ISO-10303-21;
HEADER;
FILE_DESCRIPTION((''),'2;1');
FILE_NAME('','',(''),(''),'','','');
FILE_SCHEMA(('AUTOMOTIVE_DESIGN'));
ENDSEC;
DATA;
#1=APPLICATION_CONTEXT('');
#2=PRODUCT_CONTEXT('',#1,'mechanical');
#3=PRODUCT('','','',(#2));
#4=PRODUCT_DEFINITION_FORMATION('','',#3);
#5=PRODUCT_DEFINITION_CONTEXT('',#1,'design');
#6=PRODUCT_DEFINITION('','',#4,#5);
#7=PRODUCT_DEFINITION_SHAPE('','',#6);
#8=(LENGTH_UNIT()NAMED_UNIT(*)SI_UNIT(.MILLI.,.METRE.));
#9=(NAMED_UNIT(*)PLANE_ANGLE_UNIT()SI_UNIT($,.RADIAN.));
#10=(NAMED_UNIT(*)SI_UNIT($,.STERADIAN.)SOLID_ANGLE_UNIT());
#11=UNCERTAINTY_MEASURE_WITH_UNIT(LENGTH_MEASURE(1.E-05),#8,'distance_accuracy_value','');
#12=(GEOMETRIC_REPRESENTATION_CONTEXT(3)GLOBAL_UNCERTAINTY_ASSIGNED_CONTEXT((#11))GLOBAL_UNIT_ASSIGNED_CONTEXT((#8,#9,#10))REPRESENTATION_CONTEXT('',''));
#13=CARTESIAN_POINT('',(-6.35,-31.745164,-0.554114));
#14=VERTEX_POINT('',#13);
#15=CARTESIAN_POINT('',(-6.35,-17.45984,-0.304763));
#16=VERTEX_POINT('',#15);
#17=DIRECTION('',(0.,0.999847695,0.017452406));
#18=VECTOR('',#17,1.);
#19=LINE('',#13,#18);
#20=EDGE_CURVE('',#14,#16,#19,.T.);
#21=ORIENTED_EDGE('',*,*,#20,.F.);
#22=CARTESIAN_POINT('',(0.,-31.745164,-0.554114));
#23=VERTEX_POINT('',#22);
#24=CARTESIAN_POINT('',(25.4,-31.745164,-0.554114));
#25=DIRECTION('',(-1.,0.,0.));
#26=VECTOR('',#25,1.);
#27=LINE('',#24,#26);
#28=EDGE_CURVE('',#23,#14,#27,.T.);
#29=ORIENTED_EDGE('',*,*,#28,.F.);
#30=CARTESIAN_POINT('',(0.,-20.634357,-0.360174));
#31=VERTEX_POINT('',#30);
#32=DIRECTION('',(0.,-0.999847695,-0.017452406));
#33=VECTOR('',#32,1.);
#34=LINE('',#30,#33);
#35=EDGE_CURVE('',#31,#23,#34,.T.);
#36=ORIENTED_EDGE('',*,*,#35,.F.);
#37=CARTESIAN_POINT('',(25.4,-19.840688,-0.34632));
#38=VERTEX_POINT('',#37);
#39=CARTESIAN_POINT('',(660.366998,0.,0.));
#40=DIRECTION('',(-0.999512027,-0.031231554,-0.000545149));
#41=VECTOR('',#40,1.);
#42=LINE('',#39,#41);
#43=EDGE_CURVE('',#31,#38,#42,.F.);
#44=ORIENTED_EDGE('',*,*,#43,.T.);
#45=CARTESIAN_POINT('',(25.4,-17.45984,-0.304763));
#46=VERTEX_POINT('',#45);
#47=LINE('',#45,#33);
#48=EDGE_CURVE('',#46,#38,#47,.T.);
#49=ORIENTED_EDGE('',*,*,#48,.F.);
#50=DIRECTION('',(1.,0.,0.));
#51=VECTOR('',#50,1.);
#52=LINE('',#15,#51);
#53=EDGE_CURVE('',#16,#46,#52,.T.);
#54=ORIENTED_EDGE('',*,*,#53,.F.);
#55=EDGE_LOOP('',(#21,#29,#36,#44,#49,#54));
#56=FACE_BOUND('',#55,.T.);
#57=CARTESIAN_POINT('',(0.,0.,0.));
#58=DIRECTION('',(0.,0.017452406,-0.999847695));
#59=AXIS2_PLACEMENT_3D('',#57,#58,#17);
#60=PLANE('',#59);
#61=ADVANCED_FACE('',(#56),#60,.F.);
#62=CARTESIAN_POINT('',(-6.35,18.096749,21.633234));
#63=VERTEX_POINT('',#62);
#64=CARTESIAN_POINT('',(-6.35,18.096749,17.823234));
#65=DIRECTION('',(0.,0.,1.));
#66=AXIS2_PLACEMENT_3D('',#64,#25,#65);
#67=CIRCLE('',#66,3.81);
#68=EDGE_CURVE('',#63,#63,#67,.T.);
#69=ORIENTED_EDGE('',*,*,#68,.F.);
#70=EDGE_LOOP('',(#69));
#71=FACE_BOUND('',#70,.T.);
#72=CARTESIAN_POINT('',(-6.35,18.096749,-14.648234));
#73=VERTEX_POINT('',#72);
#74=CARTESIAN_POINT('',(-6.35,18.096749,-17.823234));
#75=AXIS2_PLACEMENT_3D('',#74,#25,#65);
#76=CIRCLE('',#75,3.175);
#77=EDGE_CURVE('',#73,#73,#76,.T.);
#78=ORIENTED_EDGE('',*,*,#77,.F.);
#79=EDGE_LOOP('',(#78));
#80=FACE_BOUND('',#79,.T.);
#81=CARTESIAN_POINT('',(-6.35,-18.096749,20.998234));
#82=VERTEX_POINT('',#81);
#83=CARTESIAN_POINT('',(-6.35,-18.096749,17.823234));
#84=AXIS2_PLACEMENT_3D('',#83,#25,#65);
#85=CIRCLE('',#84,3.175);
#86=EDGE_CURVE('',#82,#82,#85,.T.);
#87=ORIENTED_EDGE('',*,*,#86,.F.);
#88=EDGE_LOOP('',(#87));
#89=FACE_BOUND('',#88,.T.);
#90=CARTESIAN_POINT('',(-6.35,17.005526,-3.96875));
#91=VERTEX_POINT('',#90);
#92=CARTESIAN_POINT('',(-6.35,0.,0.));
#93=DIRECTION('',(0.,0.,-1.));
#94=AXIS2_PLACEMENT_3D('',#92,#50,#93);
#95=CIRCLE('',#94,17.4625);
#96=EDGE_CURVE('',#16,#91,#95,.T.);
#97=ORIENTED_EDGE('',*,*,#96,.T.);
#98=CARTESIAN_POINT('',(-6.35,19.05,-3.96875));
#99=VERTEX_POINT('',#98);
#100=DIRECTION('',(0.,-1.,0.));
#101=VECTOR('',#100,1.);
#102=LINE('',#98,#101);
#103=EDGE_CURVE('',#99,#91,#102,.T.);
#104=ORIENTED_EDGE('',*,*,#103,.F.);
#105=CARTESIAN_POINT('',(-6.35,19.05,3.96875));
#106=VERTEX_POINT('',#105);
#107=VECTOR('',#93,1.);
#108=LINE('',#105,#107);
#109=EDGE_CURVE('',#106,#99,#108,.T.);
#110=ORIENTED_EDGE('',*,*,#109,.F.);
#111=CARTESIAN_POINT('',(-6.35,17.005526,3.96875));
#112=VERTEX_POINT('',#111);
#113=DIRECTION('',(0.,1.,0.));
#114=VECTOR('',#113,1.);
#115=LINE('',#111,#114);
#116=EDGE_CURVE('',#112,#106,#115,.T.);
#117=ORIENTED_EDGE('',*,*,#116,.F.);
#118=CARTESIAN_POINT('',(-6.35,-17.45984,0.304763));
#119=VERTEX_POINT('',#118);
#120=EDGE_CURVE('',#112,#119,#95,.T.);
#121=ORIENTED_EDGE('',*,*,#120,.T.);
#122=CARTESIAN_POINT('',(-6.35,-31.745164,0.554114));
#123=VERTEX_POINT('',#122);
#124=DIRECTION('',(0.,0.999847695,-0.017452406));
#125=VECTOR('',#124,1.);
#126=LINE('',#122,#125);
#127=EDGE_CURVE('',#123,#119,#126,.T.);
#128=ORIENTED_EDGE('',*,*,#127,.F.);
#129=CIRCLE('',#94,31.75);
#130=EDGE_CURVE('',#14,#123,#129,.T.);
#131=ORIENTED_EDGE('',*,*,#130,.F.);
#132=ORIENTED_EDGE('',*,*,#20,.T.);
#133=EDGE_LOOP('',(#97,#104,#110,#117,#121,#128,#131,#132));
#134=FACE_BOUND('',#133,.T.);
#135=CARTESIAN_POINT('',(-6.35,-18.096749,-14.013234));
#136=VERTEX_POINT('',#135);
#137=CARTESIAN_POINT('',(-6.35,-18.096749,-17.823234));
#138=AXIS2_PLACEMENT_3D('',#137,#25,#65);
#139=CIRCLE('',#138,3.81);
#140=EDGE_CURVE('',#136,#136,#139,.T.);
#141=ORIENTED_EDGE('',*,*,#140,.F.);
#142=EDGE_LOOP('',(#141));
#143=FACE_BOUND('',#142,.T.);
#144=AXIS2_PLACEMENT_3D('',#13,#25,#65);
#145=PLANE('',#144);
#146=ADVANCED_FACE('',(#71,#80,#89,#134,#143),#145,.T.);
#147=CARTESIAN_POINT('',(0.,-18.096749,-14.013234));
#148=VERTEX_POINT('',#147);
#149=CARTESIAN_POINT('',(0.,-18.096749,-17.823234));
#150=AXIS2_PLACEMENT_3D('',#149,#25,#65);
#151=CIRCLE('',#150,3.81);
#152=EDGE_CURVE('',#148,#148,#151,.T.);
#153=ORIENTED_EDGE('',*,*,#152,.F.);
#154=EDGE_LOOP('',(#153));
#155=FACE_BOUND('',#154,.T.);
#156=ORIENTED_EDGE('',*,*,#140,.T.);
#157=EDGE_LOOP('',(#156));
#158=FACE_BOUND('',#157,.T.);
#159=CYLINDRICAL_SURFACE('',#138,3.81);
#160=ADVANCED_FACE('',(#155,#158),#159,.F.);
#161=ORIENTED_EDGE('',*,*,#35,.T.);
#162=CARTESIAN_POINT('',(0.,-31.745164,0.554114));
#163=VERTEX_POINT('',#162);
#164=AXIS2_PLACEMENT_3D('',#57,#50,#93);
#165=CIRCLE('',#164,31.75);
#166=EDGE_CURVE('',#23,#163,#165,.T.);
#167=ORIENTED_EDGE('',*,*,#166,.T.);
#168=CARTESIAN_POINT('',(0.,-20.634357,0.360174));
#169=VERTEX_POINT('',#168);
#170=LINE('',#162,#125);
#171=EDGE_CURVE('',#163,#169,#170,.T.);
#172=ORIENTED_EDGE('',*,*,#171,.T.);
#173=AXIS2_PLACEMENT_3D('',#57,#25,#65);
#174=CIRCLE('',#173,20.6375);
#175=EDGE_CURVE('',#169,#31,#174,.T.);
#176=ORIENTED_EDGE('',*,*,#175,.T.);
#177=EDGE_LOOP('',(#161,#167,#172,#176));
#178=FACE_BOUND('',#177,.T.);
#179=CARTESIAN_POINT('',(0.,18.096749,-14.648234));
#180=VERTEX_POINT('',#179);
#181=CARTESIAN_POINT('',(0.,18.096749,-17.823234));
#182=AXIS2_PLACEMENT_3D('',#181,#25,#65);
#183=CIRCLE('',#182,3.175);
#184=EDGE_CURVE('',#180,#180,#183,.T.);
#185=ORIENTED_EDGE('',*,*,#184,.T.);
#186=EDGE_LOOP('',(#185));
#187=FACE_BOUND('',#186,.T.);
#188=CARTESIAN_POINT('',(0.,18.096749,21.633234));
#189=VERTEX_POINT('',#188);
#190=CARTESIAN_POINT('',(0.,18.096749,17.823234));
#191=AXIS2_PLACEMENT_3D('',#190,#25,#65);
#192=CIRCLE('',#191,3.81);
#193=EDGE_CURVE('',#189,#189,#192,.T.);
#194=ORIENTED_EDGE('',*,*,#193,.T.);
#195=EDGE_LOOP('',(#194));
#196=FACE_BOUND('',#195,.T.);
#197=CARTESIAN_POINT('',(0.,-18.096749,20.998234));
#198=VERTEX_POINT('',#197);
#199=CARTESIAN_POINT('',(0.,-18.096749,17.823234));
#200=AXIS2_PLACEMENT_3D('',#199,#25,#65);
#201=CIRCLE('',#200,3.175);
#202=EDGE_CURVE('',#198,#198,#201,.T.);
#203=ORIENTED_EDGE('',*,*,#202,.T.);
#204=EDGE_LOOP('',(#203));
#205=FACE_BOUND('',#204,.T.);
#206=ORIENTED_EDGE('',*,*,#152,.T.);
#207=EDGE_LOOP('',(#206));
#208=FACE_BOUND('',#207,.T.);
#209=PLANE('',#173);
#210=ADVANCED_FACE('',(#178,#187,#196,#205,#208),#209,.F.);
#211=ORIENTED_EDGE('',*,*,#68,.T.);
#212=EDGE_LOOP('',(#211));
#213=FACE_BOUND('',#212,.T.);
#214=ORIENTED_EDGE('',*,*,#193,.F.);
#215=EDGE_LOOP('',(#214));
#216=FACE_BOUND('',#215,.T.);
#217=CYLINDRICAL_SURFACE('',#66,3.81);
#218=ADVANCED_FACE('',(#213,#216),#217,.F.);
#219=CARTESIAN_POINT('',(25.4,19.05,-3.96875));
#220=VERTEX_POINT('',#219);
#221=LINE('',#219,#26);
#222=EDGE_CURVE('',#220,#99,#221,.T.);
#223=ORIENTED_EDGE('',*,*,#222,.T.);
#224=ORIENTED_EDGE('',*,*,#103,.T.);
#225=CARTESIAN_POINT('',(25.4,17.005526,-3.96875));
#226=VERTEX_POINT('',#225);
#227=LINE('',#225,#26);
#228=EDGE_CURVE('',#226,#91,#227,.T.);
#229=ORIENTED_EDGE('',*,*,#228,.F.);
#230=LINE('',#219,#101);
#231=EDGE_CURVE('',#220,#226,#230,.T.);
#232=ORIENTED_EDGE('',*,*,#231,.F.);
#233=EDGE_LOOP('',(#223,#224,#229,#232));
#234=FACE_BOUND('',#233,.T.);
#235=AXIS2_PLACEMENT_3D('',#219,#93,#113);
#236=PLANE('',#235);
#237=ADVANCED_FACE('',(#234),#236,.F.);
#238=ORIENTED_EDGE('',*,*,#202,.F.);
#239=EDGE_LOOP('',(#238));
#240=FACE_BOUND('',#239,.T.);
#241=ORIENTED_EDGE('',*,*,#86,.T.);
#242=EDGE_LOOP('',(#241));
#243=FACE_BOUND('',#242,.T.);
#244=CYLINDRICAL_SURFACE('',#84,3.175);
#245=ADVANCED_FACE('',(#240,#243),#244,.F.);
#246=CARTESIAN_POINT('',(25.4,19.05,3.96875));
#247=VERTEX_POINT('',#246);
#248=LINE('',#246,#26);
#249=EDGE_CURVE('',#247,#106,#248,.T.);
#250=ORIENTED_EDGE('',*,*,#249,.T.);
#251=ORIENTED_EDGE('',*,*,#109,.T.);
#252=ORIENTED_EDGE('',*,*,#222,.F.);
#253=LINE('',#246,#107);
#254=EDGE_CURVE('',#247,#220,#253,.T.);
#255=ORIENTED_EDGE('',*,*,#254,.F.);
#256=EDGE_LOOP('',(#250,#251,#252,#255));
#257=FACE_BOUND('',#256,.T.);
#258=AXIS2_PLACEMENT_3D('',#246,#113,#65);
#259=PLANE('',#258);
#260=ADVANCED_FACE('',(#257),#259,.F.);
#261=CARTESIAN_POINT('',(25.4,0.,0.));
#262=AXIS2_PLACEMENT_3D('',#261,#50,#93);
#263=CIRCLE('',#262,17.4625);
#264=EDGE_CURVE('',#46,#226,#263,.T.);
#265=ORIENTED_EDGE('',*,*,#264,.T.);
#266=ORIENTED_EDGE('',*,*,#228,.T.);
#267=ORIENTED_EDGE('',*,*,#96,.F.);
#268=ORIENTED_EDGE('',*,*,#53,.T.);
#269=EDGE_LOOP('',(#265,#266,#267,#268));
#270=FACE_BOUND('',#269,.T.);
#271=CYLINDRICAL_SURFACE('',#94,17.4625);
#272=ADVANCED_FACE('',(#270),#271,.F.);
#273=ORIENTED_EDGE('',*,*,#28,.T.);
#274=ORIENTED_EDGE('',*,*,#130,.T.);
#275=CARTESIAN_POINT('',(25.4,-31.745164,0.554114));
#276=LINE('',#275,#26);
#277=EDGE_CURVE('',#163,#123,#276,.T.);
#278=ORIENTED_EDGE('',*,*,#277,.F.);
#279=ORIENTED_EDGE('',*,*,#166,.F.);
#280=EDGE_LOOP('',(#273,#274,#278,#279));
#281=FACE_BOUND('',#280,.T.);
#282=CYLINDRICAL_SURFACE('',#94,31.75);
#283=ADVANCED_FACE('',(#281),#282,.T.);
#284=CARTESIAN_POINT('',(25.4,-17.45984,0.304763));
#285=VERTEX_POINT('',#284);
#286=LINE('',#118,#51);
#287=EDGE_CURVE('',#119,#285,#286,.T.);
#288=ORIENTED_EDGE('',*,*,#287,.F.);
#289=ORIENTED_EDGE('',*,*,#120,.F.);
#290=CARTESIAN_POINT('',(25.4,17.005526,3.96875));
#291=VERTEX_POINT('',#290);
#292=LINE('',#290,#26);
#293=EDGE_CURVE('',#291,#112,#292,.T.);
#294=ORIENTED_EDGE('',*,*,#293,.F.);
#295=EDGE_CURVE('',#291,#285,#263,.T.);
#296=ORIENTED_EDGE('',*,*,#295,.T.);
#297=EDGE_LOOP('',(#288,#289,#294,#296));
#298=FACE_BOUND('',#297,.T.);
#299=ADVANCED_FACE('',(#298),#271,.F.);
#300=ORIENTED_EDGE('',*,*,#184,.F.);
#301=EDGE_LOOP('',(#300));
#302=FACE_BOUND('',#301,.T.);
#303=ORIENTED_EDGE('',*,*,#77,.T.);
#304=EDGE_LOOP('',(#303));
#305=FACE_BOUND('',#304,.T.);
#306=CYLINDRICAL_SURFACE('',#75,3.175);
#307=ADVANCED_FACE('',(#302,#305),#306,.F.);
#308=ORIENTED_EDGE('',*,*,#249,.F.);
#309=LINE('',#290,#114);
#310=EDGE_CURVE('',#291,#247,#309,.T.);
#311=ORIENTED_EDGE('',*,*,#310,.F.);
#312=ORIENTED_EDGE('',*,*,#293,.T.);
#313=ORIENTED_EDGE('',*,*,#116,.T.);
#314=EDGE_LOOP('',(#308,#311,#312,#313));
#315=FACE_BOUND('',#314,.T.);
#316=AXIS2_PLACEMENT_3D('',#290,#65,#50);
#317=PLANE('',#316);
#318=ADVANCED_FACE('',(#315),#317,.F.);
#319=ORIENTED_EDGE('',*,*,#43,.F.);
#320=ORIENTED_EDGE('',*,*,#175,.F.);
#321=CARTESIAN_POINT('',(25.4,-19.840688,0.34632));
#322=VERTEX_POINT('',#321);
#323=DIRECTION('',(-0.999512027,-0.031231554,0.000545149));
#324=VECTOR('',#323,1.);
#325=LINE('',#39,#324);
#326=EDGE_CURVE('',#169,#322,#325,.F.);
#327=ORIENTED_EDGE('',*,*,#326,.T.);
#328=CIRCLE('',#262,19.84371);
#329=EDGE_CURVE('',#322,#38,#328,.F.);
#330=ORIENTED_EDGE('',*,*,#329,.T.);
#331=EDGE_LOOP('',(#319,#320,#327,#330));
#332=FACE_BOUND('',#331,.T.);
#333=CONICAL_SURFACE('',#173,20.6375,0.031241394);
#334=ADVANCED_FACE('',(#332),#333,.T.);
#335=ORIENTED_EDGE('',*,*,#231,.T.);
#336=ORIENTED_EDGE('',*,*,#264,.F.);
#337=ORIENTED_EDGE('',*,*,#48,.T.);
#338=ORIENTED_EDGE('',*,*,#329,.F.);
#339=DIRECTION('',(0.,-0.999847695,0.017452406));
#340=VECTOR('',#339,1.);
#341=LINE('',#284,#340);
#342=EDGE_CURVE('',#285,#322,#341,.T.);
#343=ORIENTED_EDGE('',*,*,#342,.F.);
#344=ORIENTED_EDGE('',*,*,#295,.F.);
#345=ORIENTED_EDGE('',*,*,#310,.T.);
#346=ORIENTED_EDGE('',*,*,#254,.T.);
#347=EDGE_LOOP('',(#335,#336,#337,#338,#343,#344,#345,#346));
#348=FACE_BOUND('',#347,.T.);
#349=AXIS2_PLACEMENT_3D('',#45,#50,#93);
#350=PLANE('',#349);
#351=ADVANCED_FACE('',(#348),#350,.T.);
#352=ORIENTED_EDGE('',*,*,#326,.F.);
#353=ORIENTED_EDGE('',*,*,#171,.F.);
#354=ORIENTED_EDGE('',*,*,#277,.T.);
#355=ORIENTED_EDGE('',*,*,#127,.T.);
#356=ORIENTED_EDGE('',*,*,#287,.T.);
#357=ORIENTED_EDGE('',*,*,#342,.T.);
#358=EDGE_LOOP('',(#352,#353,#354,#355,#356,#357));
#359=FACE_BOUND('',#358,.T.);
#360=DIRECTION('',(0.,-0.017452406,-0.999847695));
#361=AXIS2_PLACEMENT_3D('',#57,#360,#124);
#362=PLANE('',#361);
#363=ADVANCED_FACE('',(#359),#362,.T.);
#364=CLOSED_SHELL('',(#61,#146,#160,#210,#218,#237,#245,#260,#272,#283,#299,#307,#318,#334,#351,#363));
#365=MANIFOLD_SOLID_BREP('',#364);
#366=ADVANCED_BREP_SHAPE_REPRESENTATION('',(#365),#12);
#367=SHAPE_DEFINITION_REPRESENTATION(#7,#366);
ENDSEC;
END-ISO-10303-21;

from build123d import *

# Parameters (mm, degrees)
SKETCH1_W                = 31.75
SKETCH1_H                = 14.2875
REVOLVE1_ANGLE           = 358
CUT_EXTRUDE1_DEPTH       = 55.99261314
CUT_EXTRUDE2_START       = -25.4
CUT_EXTRUDE2_DEPTH       = 25.4
DRAFT1_ANGLE             = 1.79
M7_CLEARANCE_HOLE1_D     = 7.62
M7_CLEARANCE_HOLE1_DEPTH = 31.75
HOLE1_D                  = 6.35
HOLE1_DEPTH              = 31.75


with BuildPart() as part:
    # Sketch1 → Revolve1 (revolve)
    with BuildSketch(Plane(origin=(0, 0, 0), x_dir=(1, 0, 0), z_dir=(0, -0.017452406437279848, -0.9998476951563914))):
        with Locations((9.525, 24.60625)):
            Rectangle(SKETCH1_W, SKETCH1_H)
    revolve(axis=Axis((-6.35, 0, 0), (-1, 0, 0)), revolution_arc=REVOLVE1_ANGLE)

    # Sketch2 → Cut-Extrude1 (cut, through all)
    with BuildSketch(Plane.ZY.offset(6.35)):
        with BuildLine():
            Line((3.96875, 17.005526445), (3.96875, 19.05))
            Line((3.96875, 19.05), (-3.96875, 19.05))
            Line((-3.96875, 19.05), (-3.96875, 17.005526445))
            ThreePointArc((-3.96875, 17.005526445), (0, 17.4625), (3.96875, 17.005526445))
        make_face()
    extrude(amount=-CUT_EXTRUDE1_DEPTH, mode=Mode.SUBTRACT)

    # Sketch3 → Cut-Extrude2 (cut)
    with BuildSketch(Plane(origin=(25.4, 0, 0), x_dir=(0, 0, -1), z_dir=(1, 0, 0)).offset(CUT_EXTRUDE2_START)):
        with BuildLine():
            Line((0.360174038, -20.634356809), (0.554113904, -31.745164321))
            ThreePointArc((0.554113904, -31.745164321), (0, 31.75), (-0.554113904, -31.745164321))
            Line((-0.554113904, -31.745164321), (-0.360174038, -20.634356809))
            ThreePointArc((-0.360174038, -20.634356809), (0, 20.6375), (0.360174038, -20.634356809))
        make_face()
    extrude(amount=CUT_EXTRUDE2_DEPTH, mode=Mode.SUBTRACT)

    # Draft1
    draft1_faces = [part.faces().sort_by_distance(p)[0] for p in [
        (12.7, 20.6375, 0),
    ]]
    draft(draft1_faces, Plane(origin=(0, 0, 0), x_dir=(0, 0, 1), z_dir=(1, 0, 0)), DRAFT1_ANGLE)

    # M7 Clearance Hole1
    with Locations(Plane.ZY.offset(6.35)):
        with Locations((-17.823234059, -18.096749091), (17.823234059, 18.096749091)):
            Hole(M7_CLEARANCE_HOLE1_D / 2, depth=M7_CLEARANCE_HOLE1_DEPTH)

    # Hole1
    with Locations(Plane.ZY.offset(6.35)):
        with Locations((-17.823234059, 18.096749091), (17.823234059, -18.096749091)):
            Hole(HOLE1_D / 2, depth=HOLE1_DEPTH)


solid = part.part
